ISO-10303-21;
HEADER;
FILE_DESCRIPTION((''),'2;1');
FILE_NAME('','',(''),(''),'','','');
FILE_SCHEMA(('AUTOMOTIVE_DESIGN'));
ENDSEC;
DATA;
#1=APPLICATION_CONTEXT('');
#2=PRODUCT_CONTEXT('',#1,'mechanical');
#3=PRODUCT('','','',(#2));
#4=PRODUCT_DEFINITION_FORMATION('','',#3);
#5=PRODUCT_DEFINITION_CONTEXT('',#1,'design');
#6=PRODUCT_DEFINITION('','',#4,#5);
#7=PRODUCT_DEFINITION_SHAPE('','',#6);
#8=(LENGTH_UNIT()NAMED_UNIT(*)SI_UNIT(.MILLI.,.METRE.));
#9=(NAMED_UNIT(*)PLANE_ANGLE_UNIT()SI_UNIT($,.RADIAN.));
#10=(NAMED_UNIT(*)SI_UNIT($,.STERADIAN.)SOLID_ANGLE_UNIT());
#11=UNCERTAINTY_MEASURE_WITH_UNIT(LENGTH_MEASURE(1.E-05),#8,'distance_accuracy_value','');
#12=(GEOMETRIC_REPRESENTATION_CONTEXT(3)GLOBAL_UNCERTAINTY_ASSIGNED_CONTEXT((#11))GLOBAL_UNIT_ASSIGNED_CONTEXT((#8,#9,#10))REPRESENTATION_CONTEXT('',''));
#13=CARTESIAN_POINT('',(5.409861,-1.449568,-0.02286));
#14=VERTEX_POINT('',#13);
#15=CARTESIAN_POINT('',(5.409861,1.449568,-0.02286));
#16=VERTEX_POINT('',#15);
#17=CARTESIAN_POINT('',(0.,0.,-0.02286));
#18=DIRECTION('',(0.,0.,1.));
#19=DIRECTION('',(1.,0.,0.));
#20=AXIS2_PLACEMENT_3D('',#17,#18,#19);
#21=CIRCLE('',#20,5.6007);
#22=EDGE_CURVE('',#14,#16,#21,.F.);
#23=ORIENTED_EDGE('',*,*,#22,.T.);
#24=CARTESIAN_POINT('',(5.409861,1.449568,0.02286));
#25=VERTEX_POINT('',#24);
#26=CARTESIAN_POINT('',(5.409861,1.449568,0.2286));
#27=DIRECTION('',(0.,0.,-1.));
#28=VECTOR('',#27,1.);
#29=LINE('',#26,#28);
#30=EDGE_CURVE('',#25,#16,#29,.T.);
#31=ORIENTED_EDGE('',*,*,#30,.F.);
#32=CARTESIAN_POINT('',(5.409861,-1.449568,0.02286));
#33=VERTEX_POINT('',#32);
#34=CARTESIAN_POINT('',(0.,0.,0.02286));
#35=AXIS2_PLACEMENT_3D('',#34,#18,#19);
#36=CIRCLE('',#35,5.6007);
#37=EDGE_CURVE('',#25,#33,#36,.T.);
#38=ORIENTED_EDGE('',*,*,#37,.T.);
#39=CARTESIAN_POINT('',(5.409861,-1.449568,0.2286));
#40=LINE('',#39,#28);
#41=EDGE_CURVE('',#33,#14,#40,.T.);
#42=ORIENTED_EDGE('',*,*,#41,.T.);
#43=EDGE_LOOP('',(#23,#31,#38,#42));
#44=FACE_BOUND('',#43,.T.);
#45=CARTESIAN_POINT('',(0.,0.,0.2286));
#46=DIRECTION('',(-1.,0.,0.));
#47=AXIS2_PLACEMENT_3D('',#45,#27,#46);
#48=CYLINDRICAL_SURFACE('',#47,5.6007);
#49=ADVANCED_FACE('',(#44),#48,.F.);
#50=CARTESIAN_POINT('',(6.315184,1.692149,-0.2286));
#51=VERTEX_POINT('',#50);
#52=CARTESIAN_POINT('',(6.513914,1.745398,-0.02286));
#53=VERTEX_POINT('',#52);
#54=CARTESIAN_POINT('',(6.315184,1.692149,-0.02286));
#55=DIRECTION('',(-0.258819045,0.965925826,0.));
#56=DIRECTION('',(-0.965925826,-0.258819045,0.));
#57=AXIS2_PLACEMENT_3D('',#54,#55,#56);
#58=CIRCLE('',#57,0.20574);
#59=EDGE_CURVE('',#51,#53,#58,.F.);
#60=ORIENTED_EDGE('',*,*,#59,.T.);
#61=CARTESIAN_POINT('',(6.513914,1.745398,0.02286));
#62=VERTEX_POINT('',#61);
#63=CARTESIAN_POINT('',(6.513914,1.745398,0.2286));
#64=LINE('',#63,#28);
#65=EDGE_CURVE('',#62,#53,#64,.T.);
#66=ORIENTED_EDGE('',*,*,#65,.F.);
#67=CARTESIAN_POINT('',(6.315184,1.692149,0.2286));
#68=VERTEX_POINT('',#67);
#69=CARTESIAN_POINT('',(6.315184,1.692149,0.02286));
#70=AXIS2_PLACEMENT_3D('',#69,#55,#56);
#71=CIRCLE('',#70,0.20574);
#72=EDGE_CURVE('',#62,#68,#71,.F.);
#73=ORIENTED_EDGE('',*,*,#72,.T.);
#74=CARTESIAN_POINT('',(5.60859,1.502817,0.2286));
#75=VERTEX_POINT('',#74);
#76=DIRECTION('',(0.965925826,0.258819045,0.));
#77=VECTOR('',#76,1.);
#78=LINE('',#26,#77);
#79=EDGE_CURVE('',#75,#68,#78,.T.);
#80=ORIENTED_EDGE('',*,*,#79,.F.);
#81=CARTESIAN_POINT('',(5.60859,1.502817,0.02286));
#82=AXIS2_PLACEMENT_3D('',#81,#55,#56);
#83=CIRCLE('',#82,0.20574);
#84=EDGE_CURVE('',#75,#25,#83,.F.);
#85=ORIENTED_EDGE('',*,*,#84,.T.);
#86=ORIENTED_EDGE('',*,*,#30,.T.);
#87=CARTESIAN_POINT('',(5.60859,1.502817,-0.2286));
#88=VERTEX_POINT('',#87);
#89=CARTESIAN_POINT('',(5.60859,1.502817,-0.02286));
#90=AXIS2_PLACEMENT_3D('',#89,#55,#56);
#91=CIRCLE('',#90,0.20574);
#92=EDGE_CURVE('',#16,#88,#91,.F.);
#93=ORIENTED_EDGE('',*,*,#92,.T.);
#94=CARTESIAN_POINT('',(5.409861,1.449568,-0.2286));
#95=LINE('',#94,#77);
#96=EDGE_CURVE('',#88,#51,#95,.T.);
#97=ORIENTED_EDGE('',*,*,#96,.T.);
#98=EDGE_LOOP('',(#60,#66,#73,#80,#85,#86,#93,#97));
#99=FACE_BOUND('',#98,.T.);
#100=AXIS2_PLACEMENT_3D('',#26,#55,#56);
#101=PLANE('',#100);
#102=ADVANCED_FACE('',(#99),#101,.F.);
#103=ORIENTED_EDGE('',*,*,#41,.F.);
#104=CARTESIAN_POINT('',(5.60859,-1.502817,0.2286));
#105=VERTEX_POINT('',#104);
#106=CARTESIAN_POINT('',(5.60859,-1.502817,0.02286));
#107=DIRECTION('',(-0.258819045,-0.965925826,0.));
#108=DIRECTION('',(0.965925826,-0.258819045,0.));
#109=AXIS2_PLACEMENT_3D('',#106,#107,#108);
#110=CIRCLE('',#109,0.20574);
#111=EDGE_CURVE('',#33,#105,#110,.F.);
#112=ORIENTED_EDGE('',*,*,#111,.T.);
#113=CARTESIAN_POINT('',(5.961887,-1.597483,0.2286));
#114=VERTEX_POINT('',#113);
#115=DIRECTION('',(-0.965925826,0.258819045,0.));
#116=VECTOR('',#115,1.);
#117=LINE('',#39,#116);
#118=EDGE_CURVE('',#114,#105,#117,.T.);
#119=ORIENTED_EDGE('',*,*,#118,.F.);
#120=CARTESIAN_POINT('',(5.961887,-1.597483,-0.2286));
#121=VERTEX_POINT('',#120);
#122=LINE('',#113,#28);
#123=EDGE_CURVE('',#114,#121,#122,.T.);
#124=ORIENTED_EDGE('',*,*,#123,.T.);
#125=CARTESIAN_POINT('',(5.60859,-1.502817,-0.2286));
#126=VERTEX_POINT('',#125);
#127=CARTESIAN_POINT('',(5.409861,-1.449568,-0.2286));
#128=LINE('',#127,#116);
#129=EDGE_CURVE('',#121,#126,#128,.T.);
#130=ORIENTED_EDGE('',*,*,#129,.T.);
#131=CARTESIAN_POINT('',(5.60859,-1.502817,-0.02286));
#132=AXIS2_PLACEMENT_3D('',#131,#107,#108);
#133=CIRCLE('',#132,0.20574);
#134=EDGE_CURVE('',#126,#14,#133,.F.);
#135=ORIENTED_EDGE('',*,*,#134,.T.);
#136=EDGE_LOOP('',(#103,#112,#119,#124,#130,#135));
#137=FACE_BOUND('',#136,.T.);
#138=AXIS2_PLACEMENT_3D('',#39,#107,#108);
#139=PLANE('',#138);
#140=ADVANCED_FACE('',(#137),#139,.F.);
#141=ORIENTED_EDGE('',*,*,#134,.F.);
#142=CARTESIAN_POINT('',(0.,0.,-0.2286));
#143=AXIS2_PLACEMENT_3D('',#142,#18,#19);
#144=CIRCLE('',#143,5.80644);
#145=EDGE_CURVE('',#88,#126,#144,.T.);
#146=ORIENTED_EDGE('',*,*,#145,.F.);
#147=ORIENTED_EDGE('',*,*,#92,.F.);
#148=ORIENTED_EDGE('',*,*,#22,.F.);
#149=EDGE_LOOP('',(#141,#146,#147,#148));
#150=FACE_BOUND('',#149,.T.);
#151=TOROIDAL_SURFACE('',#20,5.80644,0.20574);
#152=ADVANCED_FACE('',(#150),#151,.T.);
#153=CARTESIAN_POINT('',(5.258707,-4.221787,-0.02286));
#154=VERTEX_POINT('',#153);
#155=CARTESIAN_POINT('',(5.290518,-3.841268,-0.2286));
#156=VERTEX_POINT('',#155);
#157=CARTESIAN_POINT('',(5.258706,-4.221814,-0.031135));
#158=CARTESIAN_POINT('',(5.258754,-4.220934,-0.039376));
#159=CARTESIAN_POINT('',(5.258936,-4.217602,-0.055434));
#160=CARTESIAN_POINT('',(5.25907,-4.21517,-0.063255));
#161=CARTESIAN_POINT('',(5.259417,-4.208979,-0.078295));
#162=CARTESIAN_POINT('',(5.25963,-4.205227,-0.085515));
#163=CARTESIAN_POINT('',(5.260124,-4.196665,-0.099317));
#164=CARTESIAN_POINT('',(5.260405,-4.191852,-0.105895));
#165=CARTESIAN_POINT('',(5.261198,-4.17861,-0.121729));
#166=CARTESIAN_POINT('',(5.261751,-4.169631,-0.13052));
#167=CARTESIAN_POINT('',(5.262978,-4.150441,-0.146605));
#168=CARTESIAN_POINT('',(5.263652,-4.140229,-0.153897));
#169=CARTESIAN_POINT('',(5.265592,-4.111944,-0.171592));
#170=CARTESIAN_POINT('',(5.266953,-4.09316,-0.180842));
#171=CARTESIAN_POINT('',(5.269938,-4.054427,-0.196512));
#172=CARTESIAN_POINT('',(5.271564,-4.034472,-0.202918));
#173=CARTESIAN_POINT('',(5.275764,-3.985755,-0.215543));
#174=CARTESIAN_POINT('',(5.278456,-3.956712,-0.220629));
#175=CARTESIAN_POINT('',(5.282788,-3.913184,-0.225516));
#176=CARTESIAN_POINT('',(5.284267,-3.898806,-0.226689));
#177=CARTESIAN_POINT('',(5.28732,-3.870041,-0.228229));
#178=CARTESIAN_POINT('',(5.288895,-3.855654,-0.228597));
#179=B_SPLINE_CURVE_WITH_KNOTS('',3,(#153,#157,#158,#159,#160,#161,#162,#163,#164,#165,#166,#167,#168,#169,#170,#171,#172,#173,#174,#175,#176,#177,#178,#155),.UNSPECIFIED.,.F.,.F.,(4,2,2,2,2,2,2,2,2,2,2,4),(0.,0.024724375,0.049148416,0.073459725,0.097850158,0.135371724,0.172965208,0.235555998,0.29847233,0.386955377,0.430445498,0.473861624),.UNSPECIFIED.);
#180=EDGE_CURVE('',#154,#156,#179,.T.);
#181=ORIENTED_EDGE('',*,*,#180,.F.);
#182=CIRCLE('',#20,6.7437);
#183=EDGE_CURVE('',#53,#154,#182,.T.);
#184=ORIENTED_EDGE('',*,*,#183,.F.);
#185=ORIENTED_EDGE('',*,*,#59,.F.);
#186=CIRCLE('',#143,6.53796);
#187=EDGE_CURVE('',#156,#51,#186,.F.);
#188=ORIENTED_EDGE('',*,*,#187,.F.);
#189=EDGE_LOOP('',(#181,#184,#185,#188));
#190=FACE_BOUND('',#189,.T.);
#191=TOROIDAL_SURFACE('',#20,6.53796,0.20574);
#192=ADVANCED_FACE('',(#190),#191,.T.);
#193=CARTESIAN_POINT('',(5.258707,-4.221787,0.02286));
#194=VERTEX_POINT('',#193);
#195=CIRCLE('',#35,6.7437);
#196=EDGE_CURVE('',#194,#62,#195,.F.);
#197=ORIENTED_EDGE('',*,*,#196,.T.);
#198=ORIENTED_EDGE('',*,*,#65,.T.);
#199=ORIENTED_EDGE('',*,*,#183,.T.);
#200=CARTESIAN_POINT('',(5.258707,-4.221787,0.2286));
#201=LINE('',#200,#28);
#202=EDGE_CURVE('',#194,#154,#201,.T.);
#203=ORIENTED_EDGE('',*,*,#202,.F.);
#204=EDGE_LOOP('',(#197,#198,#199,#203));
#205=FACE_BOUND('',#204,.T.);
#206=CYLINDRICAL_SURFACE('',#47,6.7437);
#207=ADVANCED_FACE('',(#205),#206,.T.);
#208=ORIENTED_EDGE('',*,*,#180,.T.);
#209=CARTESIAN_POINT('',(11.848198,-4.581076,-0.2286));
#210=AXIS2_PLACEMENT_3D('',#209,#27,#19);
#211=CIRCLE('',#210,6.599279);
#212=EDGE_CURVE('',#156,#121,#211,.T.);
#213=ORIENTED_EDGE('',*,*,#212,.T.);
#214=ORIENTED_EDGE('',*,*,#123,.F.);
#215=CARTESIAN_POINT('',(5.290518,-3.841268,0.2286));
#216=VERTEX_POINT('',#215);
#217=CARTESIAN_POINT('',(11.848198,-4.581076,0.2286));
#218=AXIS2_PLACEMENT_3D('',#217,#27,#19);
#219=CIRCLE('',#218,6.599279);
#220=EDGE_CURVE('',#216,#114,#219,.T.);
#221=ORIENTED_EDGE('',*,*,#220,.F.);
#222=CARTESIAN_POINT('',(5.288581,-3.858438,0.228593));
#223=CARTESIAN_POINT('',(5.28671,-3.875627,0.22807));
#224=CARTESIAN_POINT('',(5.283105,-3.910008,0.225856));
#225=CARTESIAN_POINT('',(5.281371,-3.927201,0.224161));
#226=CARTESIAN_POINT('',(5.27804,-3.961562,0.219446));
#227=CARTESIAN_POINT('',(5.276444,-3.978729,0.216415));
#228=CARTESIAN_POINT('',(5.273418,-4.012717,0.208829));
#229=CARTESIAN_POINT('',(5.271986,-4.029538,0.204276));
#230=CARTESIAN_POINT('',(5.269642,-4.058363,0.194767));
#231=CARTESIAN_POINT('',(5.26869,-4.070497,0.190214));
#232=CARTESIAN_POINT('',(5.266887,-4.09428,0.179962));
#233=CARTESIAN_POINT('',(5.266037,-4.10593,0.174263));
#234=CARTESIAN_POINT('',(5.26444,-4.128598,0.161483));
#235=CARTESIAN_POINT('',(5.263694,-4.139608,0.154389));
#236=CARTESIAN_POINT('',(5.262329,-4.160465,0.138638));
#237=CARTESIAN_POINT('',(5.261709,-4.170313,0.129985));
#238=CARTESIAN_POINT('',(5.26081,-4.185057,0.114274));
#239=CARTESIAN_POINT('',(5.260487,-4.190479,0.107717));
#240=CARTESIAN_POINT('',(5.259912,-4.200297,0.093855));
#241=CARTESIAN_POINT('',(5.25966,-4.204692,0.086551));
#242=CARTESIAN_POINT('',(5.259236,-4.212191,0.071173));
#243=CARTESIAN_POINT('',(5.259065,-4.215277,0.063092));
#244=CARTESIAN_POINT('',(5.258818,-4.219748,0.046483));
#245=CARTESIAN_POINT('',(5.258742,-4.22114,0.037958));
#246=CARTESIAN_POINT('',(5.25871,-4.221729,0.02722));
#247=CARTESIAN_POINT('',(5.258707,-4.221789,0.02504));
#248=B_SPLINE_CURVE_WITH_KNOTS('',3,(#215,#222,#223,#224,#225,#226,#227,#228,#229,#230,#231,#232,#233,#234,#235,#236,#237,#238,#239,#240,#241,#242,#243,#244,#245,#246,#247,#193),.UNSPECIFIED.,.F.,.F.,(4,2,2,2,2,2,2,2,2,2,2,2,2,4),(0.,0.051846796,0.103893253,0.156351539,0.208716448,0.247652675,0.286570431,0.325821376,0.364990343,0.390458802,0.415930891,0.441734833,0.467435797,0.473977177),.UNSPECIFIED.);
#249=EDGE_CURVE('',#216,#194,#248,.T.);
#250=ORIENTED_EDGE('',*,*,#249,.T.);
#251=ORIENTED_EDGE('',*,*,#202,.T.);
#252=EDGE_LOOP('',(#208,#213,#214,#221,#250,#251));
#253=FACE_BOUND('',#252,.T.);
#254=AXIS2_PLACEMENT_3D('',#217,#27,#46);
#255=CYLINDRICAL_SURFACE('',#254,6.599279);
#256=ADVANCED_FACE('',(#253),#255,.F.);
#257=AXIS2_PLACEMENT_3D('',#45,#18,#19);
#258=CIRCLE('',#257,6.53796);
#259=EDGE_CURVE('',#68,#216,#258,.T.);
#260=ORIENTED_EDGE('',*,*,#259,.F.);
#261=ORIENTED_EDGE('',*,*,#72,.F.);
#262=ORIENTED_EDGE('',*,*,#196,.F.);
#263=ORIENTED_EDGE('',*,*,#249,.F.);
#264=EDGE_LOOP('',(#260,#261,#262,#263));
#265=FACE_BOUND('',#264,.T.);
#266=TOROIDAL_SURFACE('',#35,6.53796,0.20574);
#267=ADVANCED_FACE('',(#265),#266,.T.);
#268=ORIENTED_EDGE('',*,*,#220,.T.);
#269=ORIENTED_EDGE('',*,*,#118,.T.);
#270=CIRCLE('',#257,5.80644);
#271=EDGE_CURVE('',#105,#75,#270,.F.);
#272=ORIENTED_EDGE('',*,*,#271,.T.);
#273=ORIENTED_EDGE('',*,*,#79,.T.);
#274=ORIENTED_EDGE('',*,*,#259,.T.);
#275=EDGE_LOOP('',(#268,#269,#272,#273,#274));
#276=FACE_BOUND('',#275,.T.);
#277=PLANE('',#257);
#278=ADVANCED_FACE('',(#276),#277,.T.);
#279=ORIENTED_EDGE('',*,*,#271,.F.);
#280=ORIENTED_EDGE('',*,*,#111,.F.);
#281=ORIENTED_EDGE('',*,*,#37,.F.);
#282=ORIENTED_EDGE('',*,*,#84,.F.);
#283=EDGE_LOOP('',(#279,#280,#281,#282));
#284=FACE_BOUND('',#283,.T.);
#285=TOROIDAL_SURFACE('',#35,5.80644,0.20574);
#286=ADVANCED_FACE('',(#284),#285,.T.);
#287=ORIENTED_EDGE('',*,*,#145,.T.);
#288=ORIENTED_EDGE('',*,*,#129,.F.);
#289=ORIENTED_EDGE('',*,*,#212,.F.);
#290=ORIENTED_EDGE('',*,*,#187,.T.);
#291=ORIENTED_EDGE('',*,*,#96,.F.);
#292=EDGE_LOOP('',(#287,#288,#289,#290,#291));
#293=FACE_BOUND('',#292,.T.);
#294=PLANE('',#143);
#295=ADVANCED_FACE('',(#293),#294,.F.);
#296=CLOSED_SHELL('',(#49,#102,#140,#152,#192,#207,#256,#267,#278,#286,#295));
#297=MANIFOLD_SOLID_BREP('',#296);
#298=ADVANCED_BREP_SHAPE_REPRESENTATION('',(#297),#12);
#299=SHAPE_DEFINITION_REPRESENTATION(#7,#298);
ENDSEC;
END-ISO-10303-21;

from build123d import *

# Parameters (mm, degrees)
EXTRUDE1_DEPTH = 0.2286
FILLET1_R      = 0.20574


with BuildPart() as part:
    # Sketch2 → Extrude1 (new body, symmetric)
    with BuildSketch(Plane.XY):
        with BuildLine():
            Line((5.409860775, -1.449567826), (5.961887385, -1.59748291))
            ThreePointArc((5.961887385, -1.59748291), (5.473784344, -2.873056661), (5.258707102, -4.221787454))
            ThreePointArc((5.258707102, -4.221787454), (-6.599278553, 1.388168677), (6.513913995, 1.745397994))
            Line((6.513913995, 1.745397994), (5.409860775, 1.449567826))
            ThreePointArc((5.409860775, 1.449567826), (-5.6007, 0), (5.409860775, -1.449567826))
        make_face()
    extrude(amount=EXTRUDE1_DEPTH, both=True)

    # Fillet1
    fillet1_edges = [part.edges().sort_by_distance(p)[0] for p in [
        (-6.599278553, 1.388168677, 0.2286),
        (-5.6007, 0, 0.2286),
        (-6.599278553, 1.388168677, -0.2286),
        (-5.6007, 0, -0.2286),
    ]]
    fillet(fillet1_edges, radius=FILLET1_R)


solid = part.part
